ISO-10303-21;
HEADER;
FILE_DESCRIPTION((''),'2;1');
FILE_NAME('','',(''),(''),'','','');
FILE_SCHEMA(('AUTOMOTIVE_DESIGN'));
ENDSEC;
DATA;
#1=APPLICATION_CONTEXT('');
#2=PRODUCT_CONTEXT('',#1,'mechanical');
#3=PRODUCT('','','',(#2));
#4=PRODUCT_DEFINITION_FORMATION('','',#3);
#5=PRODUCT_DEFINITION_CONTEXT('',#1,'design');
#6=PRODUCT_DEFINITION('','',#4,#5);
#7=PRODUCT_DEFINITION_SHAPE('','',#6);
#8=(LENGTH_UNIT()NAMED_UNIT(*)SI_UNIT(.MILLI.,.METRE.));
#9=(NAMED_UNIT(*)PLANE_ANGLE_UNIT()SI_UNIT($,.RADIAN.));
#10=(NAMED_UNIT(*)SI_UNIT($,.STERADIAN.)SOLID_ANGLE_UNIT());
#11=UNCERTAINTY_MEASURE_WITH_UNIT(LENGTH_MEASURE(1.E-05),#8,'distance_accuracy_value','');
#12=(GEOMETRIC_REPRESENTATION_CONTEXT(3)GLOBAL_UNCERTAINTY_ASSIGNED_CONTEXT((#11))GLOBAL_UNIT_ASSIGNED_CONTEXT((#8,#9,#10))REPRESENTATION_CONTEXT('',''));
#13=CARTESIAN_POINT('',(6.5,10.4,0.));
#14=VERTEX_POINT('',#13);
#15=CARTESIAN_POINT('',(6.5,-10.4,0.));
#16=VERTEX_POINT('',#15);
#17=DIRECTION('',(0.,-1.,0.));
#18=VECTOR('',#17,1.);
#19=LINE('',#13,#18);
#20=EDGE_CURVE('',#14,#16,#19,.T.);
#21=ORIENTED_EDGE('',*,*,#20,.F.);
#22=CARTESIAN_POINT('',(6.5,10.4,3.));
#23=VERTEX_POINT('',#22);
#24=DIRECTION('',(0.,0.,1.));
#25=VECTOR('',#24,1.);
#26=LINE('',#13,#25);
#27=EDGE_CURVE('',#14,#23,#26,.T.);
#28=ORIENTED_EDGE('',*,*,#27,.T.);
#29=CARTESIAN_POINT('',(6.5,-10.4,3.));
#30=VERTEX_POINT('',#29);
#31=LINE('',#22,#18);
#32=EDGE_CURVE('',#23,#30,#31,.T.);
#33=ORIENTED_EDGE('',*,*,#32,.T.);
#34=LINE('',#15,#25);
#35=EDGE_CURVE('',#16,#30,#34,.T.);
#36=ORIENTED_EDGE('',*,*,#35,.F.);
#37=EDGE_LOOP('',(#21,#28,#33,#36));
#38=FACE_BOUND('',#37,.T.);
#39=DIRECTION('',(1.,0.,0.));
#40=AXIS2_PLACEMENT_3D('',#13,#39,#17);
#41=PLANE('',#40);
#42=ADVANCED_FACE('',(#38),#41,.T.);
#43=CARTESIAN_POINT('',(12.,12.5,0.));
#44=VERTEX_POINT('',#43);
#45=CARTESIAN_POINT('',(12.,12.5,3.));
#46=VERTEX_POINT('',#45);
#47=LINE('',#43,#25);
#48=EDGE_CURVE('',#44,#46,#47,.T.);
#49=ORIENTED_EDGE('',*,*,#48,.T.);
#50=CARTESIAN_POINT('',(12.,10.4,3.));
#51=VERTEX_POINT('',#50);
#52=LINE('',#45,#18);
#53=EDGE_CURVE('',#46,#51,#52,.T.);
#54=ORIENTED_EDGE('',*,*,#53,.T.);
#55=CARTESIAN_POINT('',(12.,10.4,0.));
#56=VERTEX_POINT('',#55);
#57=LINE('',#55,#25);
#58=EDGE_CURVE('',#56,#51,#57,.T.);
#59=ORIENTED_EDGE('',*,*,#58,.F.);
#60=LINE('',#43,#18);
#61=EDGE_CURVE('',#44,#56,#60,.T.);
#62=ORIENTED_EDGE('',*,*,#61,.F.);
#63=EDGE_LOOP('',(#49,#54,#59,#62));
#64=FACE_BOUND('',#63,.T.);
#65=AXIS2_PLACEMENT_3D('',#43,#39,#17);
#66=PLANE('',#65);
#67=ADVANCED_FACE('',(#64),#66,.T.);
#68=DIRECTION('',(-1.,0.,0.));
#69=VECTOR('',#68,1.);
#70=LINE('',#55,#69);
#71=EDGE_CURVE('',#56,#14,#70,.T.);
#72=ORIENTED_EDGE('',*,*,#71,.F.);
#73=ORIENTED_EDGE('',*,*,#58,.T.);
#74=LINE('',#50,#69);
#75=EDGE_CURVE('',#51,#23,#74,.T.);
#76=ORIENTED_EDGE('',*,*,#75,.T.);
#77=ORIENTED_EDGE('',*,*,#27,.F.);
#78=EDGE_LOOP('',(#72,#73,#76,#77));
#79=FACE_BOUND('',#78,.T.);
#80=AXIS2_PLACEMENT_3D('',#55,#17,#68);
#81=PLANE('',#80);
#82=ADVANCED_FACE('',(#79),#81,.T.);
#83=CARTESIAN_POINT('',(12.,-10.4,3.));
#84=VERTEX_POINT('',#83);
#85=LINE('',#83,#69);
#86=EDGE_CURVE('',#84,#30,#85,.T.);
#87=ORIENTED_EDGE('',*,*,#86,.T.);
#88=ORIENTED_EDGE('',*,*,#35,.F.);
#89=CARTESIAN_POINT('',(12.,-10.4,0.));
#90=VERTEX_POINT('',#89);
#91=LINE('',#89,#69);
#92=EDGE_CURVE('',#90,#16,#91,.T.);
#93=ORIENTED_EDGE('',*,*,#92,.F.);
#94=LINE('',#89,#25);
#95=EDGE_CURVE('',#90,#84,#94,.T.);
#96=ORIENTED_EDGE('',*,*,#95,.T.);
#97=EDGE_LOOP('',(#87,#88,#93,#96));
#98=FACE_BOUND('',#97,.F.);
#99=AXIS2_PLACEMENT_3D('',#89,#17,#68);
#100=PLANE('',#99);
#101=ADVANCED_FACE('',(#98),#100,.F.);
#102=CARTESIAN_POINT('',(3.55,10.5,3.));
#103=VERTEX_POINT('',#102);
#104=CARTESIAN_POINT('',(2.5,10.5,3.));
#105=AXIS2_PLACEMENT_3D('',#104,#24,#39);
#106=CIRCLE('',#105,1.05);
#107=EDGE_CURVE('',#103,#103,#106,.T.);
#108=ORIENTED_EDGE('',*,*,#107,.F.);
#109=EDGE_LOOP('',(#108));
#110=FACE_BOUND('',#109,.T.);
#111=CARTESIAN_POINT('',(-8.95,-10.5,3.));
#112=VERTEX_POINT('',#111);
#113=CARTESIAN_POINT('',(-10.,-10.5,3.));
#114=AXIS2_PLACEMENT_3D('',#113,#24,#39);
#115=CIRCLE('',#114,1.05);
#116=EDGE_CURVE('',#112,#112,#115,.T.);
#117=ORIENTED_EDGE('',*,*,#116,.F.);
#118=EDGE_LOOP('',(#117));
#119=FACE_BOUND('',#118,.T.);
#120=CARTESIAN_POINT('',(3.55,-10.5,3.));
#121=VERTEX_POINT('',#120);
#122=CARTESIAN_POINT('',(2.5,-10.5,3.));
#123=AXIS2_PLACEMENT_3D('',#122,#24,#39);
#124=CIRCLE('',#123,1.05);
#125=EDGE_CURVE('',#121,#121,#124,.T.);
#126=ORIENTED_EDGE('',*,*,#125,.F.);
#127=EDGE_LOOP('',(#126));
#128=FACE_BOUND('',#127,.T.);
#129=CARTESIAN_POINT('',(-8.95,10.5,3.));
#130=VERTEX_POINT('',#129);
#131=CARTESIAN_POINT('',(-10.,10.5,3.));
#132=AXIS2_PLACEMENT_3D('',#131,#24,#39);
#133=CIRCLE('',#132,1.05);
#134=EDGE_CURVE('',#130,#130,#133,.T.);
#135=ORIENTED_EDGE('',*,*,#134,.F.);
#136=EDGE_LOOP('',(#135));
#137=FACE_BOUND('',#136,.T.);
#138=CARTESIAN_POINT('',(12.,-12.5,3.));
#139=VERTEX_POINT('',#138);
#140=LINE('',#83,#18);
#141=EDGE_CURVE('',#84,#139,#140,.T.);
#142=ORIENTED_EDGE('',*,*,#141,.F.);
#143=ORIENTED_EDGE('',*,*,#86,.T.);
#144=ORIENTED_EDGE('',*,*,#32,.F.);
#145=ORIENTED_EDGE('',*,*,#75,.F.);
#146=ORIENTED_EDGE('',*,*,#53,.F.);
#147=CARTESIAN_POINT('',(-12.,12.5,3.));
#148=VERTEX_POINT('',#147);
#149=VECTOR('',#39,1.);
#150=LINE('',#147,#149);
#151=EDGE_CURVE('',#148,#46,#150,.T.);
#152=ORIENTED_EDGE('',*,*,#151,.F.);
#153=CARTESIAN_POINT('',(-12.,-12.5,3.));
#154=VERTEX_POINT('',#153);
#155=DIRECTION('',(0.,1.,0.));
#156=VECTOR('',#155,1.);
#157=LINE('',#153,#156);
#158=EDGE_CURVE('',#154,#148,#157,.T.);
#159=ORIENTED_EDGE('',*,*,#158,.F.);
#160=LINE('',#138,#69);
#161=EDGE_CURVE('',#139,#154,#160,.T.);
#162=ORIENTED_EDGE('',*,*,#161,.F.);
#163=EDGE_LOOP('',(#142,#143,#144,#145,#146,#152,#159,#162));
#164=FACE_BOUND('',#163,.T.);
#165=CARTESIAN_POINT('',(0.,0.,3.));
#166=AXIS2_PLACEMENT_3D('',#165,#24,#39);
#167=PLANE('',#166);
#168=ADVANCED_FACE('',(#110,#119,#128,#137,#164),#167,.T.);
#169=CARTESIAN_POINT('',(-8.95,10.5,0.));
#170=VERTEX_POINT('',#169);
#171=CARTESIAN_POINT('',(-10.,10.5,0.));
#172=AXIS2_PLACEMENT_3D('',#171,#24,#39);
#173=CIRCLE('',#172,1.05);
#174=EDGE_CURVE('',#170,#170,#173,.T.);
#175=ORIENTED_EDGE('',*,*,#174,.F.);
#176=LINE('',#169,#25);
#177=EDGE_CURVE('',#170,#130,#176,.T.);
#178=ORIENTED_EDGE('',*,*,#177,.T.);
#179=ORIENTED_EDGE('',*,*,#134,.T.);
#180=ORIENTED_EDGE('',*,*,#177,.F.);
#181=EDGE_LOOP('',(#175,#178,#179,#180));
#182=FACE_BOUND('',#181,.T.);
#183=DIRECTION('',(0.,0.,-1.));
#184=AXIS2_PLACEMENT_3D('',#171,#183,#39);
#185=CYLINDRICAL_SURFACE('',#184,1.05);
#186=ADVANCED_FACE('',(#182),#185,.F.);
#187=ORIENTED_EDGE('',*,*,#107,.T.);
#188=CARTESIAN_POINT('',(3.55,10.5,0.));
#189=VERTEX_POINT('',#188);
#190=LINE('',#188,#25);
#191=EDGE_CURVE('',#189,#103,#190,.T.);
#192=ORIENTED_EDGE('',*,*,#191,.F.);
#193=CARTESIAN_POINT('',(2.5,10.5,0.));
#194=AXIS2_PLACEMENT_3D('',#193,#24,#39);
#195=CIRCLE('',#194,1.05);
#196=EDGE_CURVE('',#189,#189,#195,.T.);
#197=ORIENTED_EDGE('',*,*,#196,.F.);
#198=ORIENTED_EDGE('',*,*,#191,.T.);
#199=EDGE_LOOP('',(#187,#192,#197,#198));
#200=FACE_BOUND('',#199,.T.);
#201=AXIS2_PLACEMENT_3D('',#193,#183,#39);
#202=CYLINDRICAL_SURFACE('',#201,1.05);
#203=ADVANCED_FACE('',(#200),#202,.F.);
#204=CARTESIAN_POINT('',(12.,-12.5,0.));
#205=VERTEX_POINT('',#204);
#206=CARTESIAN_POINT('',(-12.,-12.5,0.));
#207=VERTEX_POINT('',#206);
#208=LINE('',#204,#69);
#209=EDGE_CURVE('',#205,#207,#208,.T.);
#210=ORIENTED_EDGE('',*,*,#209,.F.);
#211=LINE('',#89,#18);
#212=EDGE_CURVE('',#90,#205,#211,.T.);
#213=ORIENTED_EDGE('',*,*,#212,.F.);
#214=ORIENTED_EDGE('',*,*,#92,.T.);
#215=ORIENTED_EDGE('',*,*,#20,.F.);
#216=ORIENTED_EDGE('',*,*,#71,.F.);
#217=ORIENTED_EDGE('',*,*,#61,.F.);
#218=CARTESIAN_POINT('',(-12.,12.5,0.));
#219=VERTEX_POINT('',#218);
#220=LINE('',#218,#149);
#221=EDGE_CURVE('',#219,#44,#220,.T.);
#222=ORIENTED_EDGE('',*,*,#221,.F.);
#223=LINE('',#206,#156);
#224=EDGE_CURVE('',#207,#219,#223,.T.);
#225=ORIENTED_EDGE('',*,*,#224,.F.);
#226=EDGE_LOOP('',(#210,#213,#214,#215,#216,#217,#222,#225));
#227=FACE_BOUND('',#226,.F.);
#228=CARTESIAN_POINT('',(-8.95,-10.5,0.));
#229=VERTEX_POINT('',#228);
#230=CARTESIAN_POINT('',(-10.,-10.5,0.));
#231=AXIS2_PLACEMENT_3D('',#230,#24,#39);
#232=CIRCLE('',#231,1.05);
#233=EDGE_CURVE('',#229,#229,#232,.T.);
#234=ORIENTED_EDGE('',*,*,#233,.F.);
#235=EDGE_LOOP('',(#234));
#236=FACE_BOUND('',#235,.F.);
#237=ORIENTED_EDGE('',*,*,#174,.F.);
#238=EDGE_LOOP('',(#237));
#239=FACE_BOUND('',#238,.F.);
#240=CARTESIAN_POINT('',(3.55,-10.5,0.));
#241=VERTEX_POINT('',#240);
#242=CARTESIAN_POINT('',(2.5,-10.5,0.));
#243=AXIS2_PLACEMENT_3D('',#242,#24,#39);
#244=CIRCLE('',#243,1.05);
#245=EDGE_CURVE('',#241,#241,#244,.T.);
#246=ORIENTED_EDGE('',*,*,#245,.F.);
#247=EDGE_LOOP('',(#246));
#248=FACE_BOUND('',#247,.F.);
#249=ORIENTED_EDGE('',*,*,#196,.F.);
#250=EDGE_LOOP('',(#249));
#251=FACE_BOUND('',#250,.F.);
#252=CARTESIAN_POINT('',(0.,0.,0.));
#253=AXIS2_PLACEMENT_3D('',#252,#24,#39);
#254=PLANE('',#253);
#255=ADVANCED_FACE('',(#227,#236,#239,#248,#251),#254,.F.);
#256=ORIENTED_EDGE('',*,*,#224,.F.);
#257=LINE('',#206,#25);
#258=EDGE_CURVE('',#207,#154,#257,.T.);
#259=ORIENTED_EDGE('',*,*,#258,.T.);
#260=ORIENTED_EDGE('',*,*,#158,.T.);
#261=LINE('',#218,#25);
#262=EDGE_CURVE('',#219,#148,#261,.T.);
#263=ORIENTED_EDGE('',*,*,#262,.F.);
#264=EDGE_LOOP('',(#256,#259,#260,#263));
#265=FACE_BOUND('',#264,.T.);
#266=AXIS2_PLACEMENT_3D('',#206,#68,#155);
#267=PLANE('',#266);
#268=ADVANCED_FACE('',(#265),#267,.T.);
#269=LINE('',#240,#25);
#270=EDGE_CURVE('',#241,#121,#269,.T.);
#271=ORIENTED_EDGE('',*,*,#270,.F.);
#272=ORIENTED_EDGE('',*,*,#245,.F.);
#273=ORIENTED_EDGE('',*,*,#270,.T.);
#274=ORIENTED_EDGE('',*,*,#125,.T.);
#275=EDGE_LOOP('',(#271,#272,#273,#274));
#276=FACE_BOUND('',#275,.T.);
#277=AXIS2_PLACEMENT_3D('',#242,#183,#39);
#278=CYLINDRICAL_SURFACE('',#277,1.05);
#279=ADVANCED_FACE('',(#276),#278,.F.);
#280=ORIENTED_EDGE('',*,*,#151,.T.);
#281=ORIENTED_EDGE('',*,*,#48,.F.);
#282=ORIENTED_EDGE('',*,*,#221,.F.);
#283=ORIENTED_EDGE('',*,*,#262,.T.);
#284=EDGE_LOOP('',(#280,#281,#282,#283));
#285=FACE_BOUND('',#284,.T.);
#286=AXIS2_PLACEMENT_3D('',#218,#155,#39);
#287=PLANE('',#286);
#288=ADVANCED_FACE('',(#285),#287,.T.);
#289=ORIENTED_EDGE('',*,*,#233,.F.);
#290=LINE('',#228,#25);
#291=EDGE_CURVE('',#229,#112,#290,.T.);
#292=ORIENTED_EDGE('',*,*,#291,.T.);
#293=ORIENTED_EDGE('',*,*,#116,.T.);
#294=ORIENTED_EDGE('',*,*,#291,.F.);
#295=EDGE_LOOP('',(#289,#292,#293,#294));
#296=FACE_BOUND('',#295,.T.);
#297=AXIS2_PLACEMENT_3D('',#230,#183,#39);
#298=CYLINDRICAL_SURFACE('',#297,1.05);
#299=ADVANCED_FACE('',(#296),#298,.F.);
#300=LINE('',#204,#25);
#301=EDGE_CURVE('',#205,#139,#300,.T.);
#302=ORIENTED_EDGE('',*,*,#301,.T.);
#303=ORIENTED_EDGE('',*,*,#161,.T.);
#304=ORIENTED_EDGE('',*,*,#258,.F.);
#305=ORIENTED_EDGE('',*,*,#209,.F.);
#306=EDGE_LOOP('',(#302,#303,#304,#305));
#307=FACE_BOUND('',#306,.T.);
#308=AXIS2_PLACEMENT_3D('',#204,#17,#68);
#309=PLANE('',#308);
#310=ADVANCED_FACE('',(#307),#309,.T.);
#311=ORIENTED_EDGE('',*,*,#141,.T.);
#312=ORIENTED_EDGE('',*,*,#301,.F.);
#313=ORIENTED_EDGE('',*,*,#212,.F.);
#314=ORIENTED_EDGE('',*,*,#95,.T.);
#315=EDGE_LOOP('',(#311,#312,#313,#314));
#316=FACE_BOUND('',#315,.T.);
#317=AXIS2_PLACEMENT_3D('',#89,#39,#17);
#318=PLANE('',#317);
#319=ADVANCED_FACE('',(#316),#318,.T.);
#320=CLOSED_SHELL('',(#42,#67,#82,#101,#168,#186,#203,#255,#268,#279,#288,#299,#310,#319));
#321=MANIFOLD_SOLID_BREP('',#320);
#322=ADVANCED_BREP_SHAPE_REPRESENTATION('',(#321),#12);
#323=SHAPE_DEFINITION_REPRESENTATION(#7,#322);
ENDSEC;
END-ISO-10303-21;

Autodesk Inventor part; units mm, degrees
ref_plane "YZ Plane" through (0, 0, 0) normal (1, 0, 0) x (0, 1, 0)
ref_plane "XZ Plane" through (0, 0, 0) normal (0, 1, 0) x (-1, 0, 0)
ref_plane "XY Plane" through (0, 0, 0) normal (0, 0, 1) x (1, 0, 0)
sketch "Sketch1" plane through (0, 0, 0) normal (0, 0, 1) x (1, 0, 0)
  line L0 (-12, 12.5) -> (12, 12.5)
  line L1 (12, -12.5) -> (-12, -12.5)
  line L2 (-12, -12.5) -> (-12, 12.5)
  line L3 (-12, 12.5) -> (12, -12.5) construction
  line L4 (12, 12.5) -> (-12, -12.5) construction
  circle A0 centre (-10, 10.5) radius 1.05
  circle A1 centre (-10, -10.5) radius 1.05
  circle A2 centre (2.5, 10.5) radius 1.05
  circle A3 centre (2.5, -10.5) radius 1.05
  line L5 (12, -10.4) -> (6.5, -10.4)
  line L6 (12, 10.4) -> (6.5, 10.4)
  line L7 (6.5, 10.4) -> (6.5, -10.4)
  line L8 (12, 12.5) -> (12, 10.4)
  line L9 (12, -10.4) -> (12, -12.5)
  point P0 (0, 0)
  dimension "d0" = 24
  dimension "d1" = 25
  dimension "d2" = 2.1
  dimension "d3" = 2
  dimension "d4" = 2
  dimension "d5" = 2.1
  dimension "d6" = 2
  dimension "d7" = 2
  dimension "d8" = 2.1
  dimension "d10" = 2
  dimension "d11" = 2.1
  dimension "d12" = 2
  dimension "d14" = 5.5
  dimension "d16" = 2.1
  dimension "d17" = 2.1
  dimension "d18" = 20.8
  dimension "d19" = 9.5
  dimension "d20" = 9.5
extrude "Extrusion1" add sketch "Sketch1" along normal blind 3
equation "\"d17\" = d16"
properties part number "Camera-Holder_Camera-Base"
